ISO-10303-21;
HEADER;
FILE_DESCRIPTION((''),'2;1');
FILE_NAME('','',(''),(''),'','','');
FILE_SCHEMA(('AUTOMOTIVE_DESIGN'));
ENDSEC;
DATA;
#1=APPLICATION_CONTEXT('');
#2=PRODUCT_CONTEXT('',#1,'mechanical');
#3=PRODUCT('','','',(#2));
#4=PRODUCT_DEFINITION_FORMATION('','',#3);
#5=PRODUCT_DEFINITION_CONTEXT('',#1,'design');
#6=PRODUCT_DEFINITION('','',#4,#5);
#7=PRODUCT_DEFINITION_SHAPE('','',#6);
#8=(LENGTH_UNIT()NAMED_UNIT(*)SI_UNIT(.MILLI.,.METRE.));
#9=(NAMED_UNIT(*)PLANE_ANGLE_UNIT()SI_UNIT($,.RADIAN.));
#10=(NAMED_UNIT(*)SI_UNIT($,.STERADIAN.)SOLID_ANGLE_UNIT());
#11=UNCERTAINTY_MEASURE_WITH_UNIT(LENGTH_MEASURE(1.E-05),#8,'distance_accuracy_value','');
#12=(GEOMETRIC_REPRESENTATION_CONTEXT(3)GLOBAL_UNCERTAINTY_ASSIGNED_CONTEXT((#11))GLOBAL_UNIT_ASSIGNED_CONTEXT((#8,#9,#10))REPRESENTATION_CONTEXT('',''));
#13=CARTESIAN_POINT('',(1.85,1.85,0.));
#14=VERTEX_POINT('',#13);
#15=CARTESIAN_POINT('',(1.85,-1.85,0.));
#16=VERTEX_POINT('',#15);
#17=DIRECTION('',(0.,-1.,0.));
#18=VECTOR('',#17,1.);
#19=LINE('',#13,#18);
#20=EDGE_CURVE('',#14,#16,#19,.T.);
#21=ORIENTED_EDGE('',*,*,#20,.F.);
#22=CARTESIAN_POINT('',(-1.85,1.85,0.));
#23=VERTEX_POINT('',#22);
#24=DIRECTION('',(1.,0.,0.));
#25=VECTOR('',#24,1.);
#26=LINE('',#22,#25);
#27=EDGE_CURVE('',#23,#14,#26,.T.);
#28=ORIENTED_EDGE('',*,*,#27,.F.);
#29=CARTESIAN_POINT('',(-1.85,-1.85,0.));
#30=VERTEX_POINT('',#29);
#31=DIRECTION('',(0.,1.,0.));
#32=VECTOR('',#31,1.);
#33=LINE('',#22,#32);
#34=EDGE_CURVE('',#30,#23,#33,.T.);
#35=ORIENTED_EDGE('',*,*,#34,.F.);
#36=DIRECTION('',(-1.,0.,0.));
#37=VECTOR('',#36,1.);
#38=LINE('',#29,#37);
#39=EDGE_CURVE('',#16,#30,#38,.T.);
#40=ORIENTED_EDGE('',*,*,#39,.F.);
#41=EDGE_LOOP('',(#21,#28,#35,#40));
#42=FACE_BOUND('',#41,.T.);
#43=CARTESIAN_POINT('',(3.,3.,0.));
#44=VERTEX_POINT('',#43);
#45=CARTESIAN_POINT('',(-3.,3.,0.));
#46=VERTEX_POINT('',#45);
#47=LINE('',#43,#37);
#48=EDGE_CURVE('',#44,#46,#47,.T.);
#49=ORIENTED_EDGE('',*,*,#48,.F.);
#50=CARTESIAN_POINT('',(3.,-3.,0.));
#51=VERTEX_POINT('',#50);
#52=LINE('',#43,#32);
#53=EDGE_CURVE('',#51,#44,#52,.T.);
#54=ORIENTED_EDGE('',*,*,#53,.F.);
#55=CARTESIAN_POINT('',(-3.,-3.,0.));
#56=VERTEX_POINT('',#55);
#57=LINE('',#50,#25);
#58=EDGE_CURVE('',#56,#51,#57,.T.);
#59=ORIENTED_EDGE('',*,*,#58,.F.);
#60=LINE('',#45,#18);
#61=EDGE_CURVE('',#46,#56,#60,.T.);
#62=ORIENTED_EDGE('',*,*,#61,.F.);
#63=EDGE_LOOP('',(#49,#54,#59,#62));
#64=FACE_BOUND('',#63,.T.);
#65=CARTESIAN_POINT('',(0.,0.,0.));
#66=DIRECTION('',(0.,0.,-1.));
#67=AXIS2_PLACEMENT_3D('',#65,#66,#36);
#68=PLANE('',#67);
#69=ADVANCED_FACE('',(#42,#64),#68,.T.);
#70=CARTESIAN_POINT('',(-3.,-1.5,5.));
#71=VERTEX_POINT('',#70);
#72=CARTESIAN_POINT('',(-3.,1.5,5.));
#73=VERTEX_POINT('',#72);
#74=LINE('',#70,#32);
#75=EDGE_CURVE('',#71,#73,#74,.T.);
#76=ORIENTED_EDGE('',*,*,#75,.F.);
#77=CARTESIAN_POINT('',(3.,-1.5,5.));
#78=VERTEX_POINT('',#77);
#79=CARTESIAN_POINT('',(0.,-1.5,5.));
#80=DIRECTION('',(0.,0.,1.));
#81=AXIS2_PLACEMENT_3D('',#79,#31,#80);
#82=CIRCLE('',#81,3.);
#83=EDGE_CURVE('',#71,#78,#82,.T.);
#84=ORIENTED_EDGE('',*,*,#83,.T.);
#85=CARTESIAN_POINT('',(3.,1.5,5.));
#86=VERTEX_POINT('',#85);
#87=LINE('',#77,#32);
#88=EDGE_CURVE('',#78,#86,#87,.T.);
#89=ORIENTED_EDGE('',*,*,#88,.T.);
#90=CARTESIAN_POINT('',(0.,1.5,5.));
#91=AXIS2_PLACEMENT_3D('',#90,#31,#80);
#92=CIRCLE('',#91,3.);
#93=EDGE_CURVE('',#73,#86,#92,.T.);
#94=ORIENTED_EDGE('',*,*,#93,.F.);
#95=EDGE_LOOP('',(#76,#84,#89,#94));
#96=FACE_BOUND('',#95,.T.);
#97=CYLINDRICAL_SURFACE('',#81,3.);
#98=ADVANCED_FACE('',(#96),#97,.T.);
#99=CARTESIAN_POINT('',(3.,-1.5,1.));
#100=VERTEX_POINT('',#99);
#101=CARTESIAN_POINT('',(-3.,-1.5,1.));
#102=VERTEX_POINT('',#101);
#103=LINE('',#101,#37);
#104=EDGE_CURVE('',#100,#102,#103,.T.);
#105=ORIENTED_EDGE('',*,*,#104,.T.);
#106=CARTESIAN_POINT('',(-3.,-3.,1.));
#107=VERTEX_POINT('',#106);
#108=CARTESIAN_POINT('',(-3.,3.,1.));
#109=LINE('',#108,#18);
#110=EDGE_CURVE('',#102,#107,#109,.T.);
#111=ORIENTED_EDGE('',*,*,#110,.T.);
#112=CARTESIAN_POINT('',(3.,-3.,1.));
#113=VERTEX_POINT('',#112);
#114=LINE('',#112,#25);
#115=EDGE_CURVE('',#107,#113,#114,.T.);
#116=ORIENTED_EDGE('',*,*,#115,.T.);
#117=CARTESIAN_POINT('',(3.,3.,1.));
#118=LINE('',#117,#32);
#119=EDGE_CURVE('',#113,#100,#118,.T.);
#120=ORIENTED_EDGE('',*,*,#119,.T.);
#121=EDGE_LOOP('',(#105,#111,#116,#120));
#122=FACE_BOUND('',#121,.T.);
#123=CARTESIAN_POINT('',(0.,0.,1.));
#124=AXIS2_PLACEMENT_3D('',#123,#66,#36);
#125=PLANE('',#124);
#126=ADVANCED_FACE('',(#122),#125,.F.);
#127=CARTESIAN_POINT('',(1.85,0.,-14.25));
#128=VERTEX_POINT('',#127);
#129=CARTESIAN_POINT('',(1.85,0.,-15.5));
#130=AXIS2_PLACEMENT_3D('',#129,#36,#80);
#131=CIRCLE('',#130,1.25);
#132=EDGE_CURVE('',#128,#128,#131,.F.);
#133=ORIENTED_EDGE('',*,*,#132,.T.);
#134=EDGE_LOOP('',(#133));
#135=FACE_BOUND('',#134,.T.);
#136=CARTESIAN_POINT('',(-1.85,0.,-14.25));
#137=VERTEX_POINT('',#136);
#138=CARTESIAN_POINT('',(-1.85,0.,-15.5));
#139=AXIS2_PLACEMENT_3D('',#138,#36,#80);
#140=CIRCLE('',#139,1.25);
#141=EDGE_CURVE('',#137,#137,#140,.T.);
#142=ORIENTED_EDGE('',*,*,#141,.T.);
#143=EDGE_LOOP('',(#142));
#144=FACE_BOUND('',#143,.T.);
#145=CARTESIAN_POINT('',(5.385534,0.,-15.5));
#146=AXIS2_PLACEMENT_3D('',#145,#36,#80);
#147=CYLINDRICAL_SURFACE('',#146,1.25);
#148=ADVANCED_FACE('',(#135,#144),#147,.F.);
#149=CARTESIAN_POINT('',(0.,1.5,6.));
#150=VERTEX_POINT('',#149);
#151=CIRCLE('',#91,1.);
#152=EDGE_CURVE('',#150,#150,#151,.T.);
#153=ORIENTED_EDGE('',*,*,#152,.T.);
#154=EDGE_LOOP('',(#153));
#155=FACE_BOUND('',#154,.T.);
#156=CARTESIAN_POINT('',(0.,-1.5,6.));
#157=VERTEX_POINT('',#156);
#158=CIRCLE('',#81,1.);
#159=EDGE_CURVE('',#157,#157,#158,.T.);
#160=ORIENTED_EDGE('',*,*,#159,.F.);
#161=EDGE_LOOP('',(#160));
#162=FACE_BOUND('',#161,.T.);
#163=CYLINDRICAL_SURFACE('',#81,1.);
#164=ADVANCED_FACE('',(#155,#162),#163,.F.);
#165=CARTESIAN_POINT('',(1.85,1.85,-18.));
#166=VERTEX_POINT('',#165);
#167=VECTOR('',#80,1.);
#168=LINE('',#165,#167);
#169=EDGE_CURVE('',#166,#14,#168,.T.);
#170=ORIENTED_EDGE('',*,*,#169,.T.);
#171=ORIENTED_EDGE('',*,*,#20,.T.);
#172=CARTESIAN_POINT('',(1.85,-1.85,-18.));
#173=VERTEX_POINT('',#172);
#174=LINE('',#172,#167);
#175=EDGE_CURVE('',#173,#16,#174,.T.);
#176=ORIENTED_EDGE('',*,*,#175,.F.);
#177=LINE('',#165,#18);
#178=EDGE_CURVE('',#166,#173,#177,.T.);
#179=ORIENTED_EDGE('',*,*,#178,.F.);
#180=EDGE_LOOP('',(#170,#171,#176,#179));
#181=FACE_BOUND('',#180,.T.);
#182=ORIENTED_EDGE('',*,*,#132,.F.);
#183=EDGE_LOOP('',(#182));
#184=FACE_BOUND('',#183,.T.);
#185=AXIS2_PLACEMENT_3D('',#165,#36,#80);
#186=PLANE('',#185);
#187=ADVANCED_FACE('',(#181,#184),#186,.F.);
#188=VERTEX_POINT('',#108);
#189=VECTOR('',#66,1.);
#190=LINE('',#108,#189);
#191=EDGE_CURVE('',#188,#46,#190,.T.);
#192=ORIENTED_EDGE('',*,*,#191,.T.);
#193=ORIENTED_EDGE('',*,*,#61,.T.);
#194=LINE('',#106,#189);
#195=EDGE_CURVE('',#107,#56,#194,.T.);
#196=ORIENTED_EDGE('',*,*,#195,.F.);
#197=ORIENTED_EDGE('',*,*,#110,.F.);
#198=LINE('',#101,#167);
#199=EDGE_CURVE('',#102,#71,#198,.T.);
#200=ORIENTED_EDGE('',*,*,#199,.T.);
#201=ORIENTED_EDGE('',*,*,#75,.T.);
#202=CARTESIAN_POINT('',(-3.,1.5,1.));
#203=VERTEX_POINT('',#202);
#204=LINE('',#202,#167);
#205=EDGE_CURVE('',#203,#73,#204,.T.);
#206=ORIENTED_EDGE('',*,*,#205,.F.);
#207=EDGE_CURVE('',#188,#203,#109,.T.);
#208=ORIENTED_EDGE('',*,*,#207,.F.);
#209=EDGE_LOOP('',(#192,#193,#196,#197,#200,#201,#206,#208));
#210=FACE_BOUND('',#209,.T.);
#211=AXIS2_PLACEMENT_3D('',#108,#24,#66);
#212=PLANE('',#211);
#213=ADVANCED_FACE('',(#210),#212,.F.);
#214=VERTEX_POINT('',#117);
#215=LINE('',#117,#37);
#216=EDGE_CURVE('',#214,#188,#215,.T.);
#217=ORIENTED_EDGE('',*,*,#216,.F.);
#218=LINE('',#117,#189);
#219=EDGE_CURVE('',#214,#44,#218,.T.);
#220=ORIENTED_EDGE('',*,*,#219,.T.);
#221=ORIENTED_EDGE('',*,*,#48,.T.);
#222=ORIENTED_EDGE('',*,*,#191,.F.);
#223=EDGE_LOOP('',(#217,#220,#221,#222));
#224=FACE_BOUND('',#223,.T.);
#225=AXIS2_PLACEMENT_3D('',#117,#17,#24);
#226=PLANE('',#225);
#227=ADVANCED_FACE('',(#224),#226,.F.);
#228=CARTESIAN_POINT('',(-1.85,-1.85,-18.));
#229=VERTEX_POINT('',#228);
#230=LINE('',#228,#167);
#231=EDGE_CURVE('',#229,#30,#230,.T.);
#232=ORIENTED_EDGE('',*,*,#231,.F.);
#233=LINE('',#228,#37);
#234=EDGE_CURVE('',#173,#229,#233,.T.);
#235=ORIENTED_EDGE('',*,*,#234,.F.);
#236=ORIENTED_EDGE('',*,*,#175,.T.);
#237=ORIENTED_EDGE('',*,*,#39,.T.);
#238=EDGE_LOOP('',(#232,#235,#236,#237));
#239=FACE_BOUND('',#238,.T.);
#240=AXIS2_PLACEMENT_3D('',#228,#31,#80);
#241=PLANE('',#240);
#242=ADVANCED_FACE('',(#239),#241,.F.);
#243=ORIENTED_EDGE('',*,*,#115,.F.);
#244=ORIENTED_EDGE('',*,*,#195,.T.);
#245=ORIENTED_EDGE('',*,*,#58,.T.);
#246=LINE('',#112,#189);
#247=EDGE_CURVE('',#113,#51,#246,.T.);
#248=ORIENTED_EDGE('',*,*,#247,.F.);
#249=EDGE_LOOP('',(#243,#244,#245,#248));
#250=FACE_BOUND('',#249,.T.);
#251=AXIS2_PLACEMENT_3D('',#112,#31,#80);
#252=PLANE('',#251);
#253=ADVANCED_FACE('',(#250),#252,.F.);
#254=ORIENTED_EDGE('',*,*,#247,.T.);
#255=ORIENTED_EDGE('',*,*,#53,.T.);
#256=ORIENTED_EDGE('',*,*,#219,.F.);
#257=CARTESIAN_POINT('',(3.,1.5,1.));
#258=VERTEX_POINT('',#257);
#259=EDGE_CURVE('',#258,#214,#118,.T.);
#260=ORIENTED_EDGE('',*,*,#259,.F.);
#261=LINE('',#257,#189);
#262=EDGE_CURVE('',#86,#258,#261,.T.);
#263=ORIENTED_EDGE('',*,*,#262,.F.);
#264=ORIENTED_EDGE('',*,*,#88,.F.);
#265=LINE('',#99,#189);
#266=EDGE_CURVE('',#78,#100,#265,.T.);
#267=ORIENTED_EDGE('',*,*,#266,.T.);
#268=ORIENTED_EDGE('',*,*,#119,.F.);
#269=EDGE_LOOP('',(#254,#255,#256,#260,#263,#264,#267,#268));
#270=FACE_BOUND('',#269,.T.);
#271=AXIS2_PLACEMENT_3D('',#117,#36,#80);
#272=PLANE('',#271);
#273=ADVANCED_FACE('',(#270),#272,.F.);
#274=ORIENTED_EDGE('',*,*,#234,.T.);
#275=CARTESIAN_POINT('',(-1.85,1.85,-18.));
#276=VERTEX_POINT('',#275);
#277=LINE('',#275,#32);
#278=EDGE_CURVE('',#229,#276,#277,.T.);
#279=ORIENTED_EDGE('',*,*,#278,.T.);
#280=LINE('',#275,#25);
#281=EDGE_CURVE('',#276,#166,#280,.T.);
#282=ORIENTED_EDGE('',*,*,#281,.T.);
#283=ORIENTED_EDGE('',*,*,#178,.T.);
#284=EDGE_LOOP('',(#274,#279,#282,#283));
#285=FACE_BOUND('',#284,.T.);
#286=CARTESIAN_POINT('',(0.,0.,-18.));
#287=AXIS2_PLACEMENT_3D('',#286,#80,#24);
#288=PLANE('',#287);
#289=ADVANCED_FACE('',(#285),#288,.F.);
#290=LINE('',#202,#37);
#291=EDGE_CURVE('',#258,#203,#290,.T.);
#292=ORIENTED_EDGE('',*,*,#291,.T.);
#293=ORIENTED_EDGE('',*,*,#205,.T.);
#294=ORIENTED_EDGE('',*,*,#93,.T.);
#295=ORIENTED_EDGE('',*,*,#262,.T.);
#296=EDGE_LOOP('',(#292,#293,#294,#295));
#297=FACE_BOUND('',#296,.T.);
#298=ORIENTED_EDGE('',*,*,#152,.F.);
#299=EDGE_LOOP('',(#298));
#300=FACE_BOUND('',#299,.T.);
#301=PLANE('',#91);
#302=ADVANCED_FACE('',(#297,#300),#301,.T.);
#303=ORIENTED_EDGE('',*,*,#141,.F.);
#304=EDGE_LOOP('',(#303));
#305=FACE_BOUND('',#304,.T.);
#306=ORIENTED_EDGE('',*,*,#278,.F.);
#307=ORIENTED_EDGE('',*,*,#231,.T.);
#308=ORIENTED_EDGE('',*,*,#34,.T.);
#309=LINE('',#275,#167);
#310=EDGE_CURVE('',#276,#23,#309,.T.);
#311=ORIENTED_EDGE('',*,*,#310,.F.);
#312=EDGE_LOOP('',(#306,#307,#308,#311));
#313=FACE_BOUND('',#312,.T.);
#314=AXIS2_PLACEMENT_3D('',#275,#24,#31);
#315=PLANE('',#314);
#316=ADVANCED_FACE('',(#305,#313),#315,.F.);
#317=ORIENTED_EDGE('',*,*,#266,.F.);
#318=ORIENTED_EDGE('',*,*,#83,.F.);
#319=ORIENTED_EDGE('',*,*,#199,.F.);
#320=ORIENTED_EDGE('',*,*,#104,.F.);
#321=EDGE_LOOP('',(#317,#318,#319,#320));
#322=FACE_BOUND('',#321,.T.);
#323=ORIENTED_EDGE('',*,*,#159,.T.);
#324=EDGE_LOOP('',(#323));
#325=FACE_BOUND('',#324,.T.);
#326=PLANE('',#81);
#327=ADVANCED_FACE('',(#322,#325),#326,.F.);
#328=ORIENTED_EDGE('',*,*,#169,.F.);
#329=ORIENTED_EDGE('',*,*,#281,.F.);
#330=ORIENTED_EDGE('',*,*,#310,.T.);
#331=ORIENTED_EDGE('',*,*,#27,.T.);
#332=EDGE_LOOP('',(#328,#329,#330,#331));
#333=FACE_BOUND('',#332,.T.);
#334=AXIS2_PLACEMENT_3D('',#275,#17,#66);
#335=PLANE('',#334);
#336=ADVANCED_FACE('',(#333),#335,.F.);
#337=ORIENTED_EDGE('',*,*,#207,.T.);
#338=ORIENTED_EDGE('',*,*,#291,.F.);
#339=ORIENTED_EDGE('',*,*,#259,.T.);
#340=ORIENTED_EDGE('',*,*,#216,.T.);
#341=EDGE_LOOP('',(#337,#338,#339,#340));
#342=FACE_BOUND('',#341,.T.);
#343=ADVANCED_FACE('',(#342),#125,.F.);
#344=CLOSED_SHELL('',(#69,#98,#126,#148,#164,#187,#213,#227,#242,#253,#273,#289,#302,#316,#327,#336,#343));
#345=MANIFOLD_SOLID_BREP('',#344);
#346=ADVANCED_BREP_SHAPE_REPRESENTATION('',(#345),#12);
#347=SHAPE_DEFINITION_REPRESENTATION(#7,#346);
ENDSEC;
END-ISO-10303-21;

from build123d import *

# Parameters (mm, degrees)
SKETCH_1_W           = 6
SKETCH_1_H           = 6
EXTRUDE_1_DEPTH      = 1
SKETCH_2_R           = 1
EXTRUDE_2_DEPTH      = 1.5
EXTRUDE_2_DEPTH_BACK = 1.5
SKETCH_3_W           = 3.7
SKETCH_3_H           = 3.7
EXTRUDE_3_DEPTH      = 18
SKETCH_4_R           = 1.25
CUT_EXTRUDE_1_DEPTH  = 3.7


with BuildPart() as part:
    # 스케치1 → 보스-돌출1 (new body)
    with BuildSketch(Plane.XY):
        Rectangle(SKETCH_1_W, SKETCH_1_H)
    extrude(amount=EXTRUDE_1_DEPTH)

    # 스케치2 → 보스-돌출2 (add, two sides)
    with BuildSketch(Plane(origin=(0, 0, 0), x_dir=(1, 0, 0), z_dir=(0, 1, 0))) as extrude_2_sk:
        with BuildLine():
            Line((-3, -1), (3, -1))
            Line((3, -1), (3, -5))
            ThreePointArc((3, -5), (0, -8), (-3, -5))
            Line((-3, -5), (-3, -1))
        make_face()
        with Locations((0, -5)):
            Circle(SKETCH_2_R, mode=Mode.SUBTRACT)
    extrude(amount=EXTRUDE_2_DEPTH)
    extrude(extrude_2_sk.sketch, amount=-EXTRUDE_2_DEPTH_BACK)

    # 스케치3 → 보스-돌출3 (add)
    with BuildSketch(Plane(origin=(0, 0, 0), x_dir=(-1, 0, 0), z_dir=(0, 0, -1))):
        Rectangle(SKETCH_3_W, SKETCH_3_H)
    extrude(amount=EXTRUDE_3_DEPTH)

    # 스케치4 → 컷-돌출1 (cut)
    with BuildSketch(Plane.ZY.offset(1.85)):
        with Locations((-15.5, 0)):
            Circle(SKETCH_4_R)
    extrude(amount=-CUT_EXTRUDE_1_DEPTH, mode=Mode.SUBTRACT)


solid = part.part
